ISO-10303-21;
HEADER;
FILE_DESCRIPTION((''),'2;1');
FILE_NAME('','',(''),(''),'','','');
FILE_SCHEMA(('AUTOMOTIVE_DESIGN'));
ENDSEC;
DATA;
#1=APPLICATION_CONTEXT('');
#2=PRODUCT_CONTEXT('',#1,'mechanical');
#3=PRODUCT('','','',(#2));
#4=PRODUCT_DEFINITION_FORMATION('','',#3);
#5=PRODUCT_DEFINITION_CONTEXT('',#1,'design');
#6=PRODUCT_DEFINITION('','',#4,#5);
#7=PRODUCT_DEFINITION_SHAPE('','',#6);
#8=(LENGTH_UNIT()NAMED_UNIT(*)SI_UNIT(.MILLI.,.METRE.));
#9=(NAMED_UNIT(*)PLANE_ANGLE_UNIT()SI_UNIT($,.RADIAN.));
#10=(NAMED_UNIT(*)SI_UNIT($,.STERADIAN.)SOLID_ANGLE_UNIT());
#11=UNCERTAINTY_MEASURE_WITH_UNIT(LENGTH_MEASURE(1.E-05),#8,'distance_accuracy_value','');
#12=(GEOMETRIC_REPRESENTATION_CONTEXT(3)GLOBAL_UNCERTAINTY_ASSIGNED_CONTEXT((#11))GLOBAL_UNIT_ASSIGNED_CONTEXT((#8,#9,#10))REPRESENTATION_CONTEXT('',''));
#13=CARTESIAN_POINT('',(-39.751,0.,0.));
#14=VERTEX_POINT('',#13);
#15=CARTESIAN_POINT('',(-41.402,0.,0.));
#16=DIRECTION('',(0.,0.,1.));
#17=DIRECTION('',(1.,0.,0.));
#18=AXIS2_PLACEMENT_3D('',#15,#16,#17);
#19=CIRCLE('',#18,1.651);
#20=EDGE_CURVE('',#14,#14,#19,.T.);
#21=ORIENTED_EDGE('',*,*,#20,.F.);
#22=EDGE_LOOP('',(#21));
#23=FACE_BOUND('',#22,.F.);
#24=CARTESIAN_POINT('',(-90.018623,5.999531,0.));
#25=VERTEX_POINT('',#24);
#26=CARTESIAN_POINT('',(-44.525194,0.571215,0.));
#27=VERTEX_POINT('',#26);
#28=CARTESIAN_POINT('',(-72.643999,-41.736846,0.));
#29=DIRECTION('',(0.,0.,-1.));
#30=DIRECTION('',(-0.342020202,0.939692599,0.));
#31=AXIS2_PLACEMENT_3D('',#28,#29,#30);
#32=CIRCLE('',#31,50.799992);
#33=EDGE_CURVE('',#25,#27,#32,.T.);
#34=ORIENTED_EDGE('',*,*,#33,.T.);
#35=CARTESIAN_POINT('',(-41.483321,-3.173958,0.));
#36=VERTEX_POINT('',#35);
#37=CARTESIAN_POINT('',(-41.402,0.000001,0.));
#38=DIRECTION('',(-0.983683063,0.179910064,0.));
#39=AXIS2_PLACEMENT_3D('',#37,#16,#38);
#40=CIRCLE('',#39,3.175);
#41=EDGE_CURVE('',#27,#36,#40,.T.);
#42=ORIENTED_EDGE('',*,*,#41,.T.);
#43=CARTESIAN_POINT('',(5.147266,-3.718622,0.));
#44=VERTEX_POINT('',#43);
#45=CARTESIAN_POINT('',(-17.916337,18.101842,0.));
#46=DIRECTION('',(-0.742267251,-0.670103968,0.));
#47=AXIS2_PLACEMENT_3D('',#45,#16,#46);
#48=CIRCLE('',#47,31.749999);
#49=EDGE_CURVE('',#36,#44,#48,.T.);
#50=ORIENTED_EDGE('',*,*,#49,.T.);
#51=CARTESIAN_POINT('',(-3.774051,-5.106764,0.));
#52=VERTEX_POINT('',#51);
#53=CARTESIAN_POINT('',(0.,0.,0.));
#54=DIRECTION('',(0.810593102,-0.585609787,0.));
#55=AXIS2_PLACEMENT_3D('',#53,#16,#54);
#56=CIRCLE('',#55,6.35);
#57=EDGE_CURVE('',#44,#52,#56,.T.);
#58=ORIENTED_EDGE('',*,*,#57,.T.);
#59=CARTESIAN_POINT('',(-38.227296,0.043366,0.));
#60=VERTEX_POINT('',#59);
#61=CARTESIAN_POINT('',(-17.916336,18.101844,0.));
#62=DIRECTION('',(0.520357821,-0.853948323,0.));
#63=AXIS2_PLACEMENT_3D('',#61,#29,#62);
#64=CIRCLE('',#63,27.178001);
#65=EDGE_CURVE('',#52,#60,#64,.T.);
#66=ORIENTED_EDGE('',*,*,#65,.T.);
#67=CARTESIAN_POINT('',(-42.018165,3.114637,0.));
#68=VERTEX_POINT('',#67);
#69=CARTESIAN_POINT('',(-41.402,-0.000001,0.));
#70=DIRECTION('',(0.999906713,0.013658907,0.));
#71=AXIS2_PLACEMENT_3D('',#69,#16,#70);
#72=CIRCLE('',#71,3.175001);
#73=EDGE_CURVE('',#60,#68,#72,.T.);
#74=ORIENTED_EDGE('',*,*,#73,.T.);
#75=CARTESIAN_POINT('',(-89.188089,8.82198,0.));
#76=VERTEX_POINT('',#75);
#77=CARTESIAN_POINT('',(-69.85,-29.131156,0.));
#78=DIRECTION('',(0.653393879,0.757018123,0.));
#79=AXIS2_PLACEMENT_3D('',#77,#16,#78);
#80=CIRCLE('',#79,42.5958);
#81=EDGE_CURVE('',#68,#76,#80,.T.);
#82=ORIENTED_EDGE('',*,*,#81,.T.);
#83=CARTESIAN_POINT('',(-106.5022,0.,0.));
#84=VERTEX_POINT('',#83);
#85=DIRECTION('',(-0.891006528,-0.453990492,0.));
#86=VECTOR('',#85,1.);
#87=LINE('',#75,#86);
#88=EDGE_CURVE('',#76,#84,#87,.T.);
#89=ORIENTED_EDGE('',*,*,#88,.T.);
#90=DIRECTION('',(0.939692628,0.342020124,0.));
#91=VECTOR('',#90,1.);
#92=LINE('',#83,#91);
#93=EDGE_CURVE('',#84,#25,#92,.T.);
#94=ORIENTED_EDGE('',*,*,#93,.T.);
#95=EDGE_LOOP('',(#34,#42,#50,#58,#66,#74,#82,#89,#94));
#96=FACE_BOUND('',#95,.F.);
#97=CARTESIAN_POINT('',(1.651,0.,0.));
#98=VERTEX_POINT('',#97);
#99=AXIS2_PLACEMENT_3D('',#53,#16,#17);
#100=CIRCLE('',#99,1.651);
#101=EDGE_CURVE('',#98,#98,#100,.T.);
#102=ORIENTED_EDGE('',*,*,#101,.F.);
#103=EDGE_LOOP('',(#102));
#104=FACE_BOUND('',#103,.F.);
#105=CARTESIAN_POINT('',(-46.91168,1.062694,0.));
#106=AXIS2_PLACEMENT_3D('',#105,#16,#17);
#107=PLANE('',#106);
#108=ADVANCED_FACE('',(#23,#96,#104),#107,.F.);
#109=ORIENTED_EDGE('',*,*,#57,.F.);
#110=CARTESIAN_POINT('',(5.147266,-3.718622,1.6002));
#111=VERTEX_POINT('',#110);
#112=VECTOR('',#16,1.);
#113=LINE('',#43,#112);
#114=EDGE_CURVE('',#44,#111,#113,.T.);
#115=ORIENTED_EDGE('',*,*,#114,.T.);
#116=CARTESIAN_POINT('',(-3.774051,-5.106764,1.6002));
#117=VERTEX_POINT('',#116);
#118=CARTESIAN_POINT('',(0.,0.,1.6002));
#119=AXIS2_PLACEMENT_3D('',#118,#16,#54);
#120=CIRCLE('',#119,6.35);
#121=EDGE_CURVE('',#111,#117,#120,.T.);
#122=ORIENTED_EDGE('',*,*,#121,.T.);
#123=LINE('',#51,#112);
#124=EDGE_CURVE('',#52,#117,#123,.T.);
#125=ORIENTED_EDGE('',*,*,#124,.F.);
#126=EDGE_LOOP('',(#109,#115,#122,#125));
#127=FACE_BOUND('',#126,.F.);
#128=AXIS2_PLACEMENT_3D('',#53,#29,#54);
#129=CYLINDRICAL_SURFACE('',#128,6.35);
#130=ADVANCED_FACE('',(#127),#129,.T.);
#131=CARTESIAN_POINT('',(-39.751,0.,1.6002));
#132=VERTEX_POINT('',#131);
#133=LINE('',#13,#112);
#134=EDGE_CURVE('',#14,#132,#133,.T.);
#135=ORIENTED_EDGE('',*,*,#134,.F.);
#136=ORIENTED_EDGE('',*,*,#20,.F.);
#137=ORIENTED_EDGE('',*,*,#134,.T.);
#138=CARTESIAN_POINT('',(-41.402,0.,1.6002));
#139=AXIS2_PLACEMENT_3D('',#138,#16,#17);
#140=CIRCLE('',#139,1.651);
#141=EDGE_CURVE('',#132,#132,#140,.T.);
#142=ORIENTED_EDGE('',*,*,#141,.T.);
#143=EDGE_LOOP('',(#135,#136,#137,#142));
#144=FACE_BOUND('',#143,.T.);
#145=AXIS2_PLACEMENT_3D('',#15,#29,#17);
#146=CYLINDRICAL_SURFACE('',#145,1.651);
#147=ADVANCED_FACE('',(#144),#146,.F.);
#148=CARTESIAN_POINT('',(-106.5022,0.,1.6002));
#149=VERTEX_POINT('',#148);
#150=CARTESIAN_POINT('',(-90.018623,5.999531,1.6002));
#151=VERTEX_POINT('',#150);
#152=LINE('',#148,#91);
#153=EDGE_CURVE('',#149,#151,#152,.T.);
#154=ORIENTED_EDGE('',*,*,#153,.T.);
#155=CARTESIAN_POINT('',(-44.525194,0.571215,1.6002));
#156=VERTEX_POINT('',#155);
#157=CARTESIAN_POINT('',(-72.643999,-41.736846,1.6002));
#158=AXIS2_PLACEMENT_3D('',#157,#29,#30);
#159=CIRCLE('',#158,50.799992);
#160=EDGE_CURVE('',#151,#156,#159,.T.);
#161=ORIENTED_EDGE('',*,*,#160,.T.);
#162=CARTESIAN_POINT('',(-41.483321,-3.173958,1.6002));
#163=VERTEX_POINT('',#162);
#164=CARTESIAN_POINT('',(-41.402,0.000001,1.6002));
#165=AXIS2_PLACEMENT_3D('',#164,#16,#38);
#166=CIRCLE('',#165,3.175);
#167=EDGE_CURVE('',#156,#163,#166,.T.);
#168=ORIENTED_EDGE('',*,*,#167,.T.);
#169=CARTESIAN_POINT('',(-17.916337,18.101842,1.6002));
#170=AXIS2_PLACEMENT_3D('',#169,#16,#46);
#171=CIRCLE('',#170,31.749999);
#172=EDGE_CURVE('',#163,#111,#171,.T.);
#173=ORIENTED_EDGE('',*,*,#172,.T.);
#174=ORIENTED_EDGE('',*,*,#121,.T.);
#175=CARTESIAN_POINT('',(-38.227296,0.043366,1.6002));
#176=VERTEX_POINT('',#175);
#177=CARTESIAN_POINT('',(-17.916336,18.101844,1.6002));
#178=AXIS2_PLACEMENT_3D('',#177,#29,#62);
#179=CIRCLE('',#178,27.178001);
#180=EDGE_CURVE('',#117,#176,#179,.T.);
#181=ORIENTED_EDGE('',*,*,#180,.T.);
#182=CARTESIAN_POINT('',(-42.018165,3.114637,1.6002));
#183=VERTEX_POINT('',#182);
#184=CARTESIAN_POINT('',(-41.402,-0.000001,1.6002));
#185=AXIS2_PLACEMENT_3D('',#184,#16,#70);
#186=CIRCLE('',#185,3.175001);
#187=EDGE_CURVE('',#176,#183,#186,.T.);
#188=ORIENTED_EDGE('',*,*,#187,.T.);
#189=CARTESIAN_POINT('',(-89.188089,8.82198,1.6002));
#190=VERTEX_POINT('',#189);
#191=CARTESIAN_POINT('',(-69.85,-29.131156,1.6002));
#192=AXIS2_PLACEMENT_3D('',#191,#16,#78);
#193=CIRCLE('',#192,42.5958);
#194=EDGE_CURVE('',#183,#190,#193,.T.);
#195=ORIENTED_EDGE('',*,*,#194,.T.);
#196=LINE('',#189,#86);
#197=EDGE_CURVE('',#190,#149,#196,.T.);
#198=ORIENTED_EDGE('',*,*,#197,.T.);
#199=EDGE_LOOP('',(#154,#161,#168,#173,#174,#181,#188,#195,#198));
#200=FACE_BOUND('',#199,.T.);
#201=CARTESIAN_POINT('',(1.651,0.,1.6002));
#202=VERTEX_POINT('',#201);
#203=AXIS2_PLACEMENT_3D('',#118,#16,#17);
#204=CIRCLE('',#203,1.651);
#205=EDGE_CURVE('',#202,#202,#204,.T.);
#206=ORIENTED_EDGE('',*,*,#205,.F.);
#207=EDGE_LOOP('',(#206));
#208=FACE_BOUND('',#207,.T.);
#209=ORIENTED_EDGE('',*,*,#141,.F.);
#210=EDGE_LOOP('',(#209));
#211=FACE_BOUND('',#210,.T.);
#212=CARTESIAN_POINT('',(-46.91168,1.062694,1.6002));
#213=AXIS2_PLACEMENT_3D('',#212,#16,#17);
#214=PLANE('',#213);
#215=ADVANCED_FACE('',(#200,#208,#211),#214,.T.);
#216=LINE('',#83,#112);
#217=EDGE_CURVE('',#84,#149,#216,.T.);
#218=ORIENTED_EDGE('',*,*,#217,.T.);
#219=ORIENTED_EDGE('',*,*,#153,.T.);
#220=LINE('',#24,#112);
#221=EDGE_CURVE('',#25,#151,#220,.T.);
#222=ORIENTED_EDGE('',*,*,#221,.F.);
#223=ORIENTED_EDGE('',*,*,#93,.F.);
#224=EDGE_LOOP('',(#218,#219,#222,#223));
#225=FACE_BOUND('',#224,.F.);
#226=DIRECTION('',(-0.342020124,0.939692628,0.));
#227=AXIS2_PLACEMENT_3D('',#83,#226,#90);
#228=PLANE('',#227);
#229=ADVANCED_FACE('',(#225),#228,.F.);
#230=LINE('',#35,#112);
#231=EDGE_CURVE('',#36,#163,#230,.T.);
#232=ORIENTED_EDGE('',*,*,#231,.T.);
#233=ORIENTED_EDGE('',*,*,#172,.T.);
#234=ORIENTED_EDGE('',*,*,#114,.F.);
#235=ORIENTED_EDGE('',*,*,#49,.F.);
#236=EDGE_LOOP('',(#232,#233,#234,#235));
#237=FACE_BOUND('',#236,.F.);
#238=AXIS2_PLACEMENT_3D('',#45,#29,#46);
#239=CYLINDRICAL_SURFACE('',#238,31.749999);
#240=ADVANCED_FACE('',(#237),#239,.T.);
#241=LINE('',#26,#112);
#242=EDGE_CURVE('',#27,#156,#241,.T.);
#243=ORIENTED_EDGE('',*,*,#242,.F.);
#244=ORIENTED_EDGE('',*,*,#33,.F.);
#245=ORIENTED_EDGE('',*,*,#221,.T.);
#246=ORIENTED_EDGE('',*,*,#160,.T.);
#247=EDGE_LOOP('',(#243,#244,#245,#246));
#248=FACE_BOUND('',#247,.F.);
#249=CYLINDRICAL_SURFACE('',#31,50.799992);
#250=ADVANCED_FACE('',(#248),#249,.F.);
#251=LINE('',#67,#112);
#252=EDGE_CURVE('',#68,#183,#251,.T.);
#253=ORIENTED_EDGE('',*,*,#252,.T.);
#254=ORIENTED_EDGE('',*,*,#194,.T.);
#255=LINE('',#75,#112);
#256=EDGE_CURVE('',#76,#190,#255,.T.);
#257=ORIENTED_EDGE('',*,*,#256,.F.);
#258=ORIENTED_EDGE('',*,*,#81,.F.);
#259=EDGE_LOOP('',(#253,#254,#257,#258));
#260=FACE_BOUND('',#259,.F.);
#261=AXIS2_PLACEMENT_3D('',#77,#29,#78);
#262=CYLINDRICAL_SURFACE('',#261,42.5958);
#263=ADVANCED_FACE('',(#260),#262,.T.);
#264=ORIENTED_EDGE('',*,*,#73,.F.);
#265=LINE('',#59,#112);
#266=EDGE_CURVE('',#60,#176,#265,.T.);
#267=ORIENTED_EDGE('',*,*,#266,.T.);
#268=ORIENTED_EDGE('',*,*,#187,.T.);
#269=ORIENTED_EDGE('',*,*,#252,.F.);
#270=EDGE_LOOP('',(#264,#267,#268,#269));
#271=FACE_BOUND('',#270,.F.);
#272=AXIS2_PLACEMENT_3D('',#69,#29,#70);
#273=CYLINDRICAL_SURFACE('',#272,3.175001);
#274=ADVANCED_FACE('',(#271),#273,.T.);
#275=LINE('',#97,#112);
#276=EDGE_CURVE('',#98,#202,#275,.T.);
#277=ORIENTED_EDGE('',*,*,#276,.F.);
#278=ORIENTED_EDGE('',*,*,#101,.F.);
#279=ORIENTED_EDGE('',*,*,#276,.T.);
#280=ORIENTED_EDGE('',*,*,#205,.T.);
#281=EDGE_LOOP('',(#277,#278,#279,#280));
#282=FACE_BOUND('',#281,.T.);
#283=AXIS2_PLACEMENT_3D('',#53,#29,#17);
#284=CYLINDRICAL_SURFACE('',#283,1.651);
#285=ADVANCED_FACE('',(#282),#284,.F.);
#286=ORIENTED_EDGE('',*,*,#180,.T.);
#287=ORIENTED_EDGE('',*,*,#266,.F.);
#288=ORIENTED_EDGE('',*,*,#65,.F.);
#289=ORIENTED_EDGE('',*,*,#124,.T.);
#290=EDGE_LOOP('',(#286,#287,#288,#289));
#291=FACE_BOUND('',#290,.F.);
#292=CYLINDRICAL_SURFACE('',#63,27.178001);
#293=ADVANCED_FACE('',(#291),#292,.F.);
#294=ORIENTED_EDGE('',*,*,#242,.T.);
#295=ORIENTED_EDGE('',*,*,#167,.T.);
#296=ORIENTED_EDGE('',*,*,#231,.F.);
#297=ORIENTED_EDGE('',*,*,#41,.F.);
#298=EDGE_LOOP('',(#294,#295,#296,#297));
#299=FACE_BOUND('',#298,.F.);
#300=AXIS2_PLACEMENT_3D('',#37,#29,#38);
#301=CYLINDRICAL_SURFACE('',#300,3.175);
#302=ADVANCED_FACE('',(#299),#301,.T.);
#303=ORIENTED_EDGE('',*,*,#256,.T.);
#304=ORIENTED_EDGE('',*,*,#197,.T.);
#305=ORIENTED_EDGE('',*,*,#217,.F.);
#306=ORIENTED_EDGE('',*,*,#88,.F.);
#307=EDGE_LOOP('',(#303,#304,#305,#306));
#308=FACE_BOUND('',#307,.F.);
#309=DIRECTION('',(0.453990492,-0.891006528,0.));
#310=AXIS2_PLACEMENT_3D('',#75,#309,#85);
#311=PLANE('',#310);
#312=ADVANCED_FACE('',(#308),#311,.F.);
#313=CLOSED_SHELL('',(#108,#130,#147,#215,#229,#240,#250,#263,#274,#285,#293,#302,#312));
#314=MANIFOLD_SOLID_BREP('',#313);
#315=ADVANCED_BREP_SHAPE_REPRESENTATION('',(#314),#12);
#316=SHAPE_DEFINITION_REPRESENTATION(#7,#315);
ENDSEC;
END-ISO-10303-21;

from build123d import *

# Parameters (mm, degrees)
F0_R     = 1.651
F1_DEPTH = 1.6002


with BuildPart() as f1:
    # F0 (on Top) → F1 (new body)
    with BuildSketch(Plane.XY):
        with BuildLine():
            ThreePointArc((-3.774051, -5.106764), (-21.934308, -8.777509), (-38.227296, 0.043366))
            ThreePointArc((-38.227296, 0.043366), (-39.403324, 2.466965), (-42.018165, 3.114637))
            ThreePointArc((-42.018165, 3.114637), (-64.733422, 13.156228), (-89.188089, 8.82198))
            Line((-89.188089, 8.82198), (-106.5022, 0))
            Line((-106.5022, 0), (-90.018623, 5.999531))
            ThreePointArc((-90.018623, 5.999531), (-66.625194, 8.705331), (-44.525194, 0.571215))
            ThreePointArc((-44.525194, 0.571215), (-43.86651, -2.001703), (-41.483321, -3.173958))
            ThreePointArc((-41.483321, -3.173958), (-18.287164, -13.645991), (5.147266, -3.718622))
            ThreePointArc((5.147266, -3.718622), (-0.976301, 6.274499), (-3.774051, -5.106764))
        make_face()
        with Locations((-41.402, 0)):
            Circle(F0_R, mode=Mode.SUBTRACT)
        Circle(F0_R, mode=Mode.SUBTRACT)
    extrude(amount=F1_DEPTH)


solid = f1.part
